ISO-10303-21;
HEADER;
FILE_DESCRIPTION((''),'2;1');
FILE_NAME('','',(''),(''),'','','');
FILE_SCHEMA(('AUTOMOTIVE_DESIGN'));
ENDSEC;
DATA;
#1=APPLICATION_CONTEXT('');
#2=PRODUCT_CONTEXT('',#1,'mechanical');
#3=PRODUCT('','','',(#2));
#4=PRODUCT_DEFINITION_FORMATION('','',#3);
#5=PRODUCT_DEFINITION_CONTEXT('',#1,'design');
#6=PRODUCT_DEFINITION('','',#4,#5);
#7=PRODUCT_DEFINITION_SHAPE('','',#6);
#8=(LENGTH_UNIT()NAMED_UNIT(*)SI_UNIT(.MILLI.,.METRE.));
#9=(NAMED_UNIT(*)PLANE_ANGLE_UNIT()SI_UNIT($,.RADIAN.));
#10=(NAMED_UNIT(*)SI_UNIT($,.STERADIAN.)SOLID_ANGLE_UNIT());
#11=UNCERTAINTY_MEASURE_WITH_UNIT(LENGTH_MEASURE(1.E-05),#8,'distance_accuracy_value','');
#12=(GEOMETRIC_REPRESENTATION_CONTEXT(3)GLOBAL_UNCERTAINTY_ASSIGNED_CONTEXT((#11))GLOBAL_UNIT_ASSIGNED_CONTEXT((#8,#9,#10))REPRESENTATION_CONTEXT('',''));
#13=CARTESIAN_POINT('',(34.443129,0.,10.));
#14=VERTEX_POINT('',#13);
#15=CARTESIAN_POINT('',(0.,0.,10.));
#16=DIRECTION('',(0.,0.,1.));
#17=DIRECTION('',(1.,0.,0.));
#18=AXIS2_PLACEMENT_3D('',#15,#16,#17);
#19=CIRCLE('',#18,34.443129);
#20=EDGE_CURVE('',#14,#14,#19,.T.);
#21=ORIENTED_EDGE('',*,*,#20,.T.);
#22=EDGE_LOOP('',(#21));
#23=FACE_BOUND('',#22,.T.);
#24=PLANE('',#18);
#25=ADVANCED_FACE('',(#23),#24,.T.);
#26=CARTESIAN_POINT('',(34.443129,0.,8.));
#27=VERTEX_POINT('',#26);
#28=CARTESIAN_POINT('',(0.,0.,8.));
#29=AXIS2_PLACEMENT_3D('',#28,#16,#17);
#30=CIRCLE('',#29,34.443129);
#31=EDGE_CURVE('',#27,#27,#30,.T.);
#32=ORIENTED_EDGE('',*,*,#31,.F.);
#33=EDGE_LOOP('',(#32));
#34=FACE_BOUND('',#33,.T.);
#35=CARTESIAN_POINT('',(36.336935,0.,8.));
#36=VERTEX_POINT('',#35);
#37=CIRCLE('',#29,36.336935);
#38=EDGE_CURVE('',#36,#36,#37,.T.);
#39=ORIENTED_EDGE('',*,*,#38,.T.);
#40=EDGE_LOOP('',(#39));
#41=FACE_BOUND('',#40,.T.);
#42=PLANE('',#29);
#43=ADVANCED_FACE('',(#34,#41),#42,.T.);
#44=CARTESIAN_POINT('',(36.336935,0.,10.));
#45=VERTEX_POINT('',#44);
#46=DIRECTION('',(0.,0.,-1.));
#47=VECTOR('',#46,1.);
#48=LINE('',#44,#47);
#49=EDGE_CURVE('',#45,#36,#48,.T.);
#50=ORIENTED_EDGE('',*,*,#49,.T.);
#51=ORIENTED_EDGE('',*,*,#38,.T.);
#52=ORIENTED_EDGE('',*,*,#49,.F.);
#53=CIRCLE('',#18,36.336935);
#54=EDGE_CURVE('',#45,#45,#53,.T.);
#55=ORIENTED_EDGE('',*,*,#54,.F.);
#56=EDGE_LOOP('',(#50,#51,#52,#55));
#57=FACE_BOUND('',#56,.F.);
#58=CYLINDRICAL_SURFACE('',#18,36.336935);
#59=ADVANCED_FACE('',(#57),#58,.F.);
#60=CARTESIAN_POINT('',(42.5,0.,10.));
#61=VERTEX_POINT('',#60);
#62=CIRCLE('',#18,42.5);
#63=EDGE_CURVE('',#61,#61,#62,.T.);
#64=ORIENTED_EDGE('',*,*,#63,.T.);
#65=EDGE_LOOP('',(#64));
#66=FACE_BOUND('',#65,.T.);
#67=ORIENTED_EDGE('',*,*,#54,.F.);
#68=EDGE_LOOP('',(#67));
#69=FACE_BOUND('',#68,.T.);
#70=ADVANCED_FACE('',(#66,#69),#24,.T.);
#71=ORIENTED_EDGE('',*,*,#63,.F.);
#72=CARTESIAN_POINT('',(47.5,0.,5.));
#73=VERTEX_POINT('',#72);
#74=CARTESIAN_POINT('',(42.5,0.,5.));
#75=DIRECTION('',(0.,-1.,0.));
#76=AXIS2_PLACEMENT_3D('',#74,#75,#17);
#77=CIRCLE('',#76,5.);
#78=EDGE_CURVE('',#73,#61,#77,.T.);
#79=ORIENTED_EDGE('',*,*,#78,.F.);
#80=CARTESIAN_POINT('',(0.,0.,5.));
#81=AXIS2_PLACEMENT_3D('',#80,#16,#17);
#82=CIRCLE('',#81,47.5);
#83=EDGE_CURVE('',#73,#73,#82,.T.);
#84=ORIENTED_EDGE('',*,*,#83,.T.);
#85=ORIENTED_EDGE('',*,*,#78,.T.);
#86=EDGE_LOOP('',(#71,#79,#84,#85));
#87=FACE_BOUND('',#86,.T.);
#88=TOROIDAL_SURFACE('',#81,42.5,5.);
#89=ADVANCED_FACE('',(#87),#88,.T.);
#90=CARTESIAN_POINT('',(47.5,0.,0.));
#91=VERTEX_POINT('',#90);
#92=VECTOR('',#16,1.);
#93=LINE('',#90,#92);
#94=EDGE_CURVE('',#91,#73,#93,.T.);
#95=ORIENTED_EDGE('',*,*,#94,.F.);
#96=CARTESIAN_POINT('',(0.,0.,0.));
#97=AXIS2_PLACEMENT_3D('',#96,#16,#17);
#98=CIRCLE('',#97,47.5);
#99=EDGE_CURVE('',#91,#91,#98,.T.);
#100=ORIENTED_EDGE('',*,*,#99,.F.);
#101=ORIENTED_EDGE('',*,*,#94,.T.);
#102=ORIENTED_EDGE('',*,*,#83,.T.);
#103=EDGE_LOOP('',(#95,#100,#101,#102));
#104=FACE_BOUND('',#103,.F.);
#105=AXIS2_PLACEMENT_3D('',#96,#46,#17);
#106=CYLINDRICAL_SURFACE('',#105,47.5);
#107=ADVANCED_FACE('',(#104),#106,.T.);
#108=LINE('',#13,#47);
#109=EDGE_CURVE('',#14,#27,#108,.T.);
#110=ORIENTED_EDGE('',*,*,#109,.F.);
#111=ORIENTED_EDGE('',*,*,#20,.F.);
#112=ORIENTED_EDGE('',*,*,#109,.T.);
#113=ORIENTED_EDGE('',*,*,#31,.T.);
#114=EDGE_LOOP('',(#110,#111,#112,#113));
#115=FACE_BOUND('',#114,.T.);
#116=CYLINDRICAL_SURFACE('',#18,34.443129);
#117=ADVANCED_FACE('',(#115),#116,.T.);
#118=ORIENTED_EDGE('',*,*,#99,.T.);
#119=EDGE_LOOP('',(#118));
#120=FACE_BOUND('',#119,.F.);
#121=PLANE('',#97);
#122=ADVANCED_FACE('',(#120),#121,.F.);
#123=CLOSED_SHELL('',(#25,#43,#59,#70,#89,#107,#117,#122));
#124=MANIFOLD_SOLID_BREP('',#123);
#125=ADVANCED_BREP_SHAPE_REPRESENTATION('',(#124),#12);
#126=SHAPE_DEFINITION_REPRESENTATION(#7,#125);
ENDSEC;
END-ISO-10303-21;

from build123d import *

# Parameters (mm, degrees)
F0_R     = 47.5
F1_DEPTH = 10
F2_R     = 5
F3_R     = 36.336935
F3_R_2   = 34.443129
F4_DEPTH = 2


with BuildPart() as f1:
    # F0 (on Top) → F1 (new body)
    with BuildSketch(Plane.XY):
        Circle(F0_R)
    extrude(amount=F1_DEPTH)

    # F2
    f2_edges = [f1.edges().sort_by_distance(p)[0] for p in [
        (-47.5, 0, 10),
    ]]
    fillet(f2_edges, radius=F2_R)

    # F3 (on face) → F4 (cut)
    with BuildSketch(Plane.XY.offset(10)):
        Circle(F3_R)
        Circle(F3_R_2, mode=Mode.SUBTRACT)
    extrude(amount=-F4_DEPTH, mode=Mode.SUBTRACT)


solid = f1.part
